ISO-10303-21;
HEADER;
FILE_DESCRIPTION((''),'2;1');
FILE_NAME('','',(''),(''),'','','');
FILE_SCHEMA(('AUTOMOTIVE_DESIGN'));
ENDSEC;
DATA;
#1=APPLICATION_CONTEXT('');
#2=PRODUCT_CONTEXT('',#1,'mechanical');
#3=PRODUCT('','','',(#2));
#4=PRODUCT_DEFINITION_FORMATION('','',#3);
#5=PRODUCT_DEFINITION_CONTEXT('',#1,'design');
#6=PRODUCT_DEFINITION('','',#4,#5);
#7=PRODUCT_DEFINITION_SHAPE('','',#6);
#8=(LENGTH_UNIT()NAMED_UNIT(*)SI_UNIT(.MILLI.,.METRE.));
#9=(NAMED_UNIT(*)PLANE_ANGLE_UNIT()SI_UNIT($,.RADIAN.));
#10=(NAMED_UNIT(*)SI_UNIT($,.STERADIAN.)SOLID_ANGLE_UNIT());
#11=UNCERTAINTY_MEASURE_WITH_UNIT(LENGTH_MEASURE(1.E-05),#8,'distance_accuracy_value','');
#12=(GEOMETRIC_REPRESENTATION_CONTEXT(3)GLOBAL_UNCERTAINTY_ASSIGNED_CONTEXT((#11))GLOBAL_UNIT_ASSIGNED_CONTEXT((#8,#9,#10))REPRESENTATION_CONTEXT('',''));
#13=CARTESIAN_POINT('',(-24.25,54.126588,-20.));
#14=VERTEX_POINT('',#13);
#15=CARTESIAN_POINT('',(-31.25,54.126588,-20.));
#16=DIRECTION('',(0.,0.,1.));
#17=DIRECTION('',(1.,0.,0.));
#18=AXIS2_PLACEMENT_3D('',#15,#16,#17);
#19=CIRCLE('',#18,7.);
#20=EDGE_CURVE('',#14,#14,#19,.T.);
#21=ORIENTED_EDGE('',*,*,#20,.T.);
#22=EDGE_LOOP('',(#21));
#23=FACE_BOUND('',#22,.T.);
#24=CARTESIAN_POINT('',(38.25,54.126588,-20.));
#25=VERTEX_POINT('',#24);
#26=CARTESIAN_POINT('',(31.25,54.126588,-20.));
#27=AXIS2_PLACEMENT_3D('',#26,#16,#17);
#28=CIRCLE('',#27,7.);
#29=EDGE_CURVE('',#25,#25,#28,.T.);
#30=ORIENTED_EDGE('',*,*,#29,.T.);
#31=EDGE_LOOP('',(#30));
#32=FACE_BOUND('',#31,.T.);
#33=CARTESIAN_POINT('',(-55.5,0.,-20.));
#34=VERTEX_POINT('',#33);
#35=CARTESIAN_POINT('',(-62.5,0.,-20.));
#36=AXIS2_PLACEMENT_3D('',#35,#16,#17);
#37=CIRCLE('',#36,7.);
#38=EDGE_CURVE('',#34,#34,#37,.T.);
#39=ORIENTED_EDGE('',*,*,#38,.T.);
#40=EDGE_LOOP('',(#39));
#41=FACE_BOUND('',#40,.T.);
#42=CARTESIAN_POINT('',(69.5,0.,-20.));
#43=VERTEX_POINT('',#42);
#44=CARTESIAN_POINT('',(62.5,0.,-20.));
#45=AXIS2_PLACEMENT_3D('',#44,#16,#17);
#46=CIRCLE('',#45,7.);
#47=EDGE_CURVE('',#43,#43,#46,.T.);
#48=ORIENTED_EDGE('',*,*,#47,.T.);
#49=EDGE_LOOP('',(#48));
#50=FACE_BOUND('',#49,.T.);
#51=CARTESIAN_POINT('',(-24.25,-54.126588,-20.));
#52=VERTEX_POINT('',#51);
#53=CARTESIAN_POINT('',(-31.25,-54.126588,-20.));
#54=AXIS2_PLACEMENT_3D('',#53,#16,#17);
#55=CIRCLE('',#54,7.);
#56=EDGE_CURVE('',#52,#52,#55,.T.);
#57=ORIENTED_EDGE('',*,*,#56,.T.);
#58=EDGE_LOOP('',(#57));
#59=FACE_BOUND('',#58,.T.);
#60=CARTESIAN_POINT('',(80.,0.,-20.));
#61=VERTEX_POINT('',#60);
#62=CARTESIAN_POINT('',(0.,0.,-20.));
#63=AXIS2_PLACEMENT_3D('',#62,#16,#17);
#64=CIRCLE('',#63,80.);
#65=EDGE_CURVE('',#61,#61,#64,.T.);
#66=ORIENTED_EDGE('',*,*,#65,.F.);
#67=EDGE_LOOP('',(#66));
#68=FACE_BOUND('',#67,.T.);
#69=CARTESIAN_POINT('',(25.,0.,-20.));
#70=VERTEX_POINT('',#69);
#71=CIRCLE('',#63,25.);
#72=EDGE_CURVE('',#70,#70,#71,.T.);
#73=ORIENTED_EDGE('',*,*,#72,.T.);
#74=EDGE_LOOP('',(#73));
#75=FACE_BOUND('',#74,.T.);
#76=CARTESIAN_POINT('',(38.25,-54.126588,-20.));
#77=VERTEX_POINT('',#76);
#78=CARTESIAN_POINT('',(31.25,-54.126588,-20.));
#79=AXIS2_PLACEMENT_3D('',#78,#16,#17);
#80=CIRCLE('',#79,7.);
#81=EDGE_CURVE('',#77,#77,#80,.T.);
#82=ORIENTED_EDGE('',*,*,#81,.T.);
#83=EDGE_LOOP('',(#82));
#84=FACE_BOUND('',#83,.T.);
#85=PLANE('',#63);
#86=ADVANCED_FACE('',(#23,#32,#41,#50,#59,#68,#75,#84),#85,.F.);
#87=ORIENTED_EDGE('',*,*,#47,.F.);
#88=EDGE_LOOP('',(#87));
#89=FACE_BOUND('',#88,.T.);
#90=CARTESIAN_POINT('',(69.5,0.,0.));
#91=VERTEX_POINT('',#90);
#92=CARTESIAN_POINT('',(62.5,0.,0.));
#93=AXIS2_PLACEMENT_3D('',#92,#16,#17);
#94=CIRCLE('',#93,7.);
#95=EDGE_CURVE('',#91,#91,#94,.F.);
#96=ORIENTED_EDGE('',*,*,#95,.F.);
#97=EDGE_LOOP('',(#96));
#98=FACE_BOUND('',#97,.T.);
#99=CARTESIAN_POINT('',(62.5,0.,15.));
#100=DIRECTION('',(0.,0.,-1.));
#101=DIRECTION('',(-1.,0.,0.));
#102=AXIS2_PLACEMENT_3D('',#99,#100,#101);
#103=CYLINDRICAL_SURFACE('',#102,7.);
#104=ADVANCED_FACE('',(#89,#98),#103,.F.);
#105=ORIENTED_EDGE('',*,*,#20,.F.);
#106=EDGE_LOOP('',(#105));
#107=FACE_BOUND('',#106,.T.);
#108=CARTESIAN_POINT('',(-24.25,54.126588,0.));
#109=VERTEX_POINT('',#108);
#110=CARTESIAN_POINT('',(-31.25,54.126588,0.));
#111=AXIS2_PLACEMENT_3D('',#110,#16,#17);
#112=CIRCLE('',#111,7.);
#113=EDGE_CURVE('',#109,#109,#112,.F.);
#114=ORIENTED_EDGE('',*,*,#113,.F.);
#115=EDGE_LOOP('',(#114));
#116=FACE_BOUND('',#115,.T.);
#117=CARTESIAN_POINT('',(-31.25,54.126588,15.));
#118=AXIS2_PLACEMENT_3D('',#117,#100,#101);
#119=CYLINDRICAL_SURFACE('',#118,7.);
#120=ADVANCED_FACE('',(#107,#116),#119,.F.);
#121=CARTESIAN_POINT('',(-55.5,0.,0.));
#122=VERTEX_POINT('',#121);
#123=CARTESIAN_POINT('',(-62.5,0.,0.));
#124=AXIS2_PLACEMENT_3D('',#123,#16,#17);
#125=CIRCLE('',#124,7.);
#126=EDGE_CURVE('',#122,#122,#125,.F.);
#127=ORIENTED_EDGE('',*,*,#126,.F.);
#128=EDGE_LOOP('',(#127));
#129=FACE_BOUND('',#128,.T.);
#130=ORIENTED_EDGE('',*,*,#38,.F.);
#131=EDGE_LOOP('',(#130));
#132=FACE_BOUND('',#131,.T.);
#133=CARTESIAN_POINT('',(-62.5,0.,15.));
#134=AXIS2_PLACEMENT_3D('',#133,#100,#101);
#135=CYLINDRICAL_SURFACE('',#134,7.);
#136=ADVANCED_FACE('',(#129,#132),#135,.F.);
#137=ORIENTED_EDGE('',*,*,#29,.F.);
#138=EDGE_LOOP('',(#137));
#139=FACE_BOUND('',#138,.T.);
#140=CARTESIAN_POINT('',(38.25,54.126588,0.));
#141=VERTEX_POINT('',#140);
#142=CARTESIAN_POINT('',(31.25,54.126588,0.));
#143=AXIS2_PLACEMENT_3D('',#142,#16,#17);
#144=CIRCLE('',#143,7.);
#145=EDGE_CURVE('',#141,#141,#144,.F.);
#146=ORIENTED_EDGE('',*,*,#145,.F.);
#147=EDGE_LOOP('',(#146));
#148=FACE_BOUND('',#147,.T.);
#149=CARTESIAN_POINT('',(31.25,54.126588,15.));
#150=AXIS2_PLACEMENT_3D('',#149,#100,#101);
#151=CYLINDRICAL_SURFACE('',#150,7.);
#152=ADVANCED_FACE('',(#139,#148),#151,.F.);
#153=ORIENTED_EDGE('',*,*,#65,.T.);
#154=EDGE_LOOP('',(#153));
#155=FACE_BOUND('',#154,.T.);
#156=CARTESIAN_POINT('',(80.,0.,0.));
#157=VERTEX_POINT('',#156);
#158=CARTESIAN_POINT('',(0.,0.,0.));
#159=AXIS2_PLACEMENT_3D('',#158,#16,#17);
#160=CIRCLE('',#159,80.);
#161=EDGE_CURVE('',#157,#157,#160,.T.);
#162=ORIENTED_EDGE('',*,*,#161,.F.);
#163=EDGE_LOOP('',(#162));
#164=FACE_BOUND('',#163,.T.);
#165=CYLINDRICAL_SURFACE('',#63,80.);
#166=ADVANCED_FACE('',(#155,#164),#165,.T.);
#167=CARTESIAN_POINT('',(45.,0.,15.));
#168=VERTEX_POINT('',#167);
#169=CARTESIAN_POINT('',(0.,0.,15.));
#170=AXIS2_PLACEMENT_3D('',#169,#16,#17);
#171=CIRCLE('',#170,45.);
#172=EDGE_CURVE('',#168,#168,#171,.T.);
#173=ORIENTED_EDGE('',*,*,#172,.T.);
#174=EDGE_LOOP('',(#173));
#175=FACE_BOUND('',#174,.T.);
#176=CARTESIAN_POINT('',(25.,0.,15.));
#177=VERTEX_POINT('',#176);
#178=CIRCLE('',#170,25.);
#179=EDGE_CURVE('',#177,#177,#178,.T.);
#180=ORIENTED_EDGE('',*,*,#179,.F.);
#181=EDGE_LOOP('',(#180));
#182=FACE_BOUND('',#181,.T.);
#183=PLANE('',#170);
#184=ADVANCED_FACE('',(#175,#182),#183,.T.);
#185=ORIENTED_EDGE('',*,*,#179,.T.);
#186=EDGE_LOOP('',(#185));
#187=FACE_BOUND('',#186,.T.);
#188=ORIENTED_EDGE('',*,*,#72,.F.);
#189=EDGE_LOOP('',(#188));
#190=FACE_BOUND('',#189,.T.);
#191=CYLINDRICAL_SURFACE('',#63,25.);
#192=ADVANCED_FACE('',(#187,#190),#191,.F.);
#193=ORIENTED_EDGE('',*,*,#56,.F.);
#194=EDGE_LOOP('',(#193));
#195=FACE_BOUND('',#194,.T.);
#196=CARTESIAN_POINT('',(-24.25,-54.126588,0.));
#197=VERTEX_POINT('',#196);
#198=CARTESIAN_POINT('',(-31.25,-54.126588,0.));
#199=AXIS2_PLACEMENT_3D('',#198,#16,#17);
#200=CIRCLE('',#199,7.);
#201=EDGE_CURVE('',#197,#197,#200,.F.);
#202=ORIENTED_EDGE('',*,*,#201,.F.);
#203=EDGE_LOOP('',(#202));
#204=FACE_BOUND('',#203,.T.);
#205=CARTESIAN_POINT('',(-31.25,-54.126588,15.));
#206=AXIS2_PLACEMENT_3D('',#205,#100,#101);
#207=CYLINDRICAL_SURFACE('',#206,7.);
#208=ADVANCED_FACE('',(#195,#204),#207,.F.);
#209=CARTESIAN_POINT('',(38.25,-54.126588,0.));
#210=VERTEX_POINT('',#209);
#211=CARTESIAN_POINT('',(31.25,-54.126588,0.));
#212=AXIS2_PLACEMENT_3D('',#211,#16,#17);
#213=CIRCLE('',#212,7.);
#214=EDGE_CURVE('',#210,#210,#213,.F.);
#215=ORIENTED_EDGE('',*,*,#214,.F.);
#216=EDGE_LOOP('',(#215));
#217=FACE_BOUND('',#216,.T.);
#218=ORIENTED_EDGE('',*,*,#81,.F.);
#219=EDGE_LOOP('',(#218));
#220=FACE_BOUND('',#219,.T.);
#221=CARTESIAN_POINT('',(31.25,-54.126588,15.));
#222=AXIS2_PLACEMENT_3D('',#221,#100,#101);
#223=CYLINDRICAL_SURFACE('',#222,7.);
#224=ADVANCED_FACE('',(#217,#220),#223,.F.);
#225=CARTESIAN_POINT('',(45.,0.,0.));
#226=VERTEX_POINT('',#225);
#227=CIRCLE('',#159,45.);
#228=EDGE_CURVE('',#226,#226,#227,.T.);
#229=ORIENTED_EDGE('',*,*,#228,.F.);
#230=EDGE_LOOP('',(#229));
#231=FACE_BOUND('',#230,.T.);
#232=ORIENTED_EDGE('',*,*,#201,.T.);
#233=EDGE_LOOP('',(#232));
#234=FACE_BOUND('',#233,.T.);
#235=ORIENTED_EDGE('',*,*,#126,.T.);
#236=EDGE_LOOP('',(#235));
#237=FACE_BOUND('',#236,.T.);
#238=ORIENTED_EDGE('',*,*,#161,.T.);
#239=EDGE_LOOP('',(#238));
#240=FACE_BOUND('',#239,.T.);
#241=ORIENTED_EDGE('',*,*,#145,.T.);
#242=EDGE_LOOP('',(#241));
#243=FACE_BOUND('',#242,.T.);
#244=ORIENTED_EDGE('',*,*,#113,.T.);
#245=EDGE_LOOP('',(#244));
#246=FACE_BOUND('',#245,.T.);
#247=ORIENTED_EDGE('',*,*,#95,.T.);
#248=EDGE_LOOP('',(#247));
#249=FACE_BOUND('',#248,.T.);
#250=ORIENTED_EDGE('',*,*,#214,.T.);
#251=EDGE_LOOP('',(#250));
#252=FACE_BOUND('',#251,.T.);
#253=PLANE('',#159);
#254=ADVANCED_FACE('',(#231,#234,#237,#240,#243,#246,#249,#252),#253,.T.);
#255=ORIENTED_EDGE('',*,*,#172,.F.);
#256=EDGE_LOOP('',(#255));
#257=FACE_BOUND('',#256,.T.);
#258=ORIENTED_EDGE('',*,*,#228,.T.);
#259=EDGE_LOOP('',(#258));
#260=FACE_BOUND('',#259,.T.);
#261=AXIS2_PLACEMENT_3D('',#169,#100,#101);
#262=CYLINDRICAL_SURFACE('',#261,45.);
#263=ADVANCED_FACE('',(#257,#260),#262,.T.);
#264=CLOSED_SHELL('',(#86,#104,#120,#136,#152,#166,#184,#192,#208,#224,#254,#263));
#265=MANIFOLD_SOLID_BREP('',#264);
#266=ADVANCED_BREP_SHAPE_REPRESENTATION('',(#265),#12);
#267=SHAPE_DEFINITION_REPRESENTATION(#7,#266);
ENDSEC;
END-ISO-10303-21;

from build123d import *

# Parameters (mm, degrees)
SKETCH_1_R               = 80
SKETCH_1_R_2             = 25
EXTRUDE_1_DEPTH          = 20
EXTRUDE_START            = 15
SKETCH_2_R               = 45
SKETCH_2_R_2             = 25
EXTRUDE_2_DEPTH          = 15
CUT_EXTRUDE_1_DEPTH      = 115.891252931
CUT_EXTRUDE_1_DEPTH_BACK = 115.891252931
SKETCH_3_R               = 7


with BuildPart() as part:
    # 草图1 → 凸台-拉伸1 (new body)
    with BuildSketch(Plane.XY):
        Circle(SKETCH_1_R)
        Circle(SKETCH_1_R_2, mode=Mode.SUBTRACT)
    extrude(amount=-EXTRUDE_1_DEPTH)

    # 草图2 → 凸台-拉伸2 (add)
    with BuildSketch(Plane.XY.offset(EXTRUDE_START)):
        Circle(SKETCH_2_R)
        Circle(SKETCH_2_R_2, mode=Mode.SUBTRACT)
    extrude(amount=-EXTRUDE_2_DEPTH)

    # 草图3 → 切除-拉伸1 (cut, two sides: drawn at the far end of the back side and taken through both)
    with BuildSketch(Plane.XY.offset(-CUT_EXTRUDE_1_DEPTH_BACK)):
        with Locations((62.5, 0)):
            Circle(SKETCH_3_R)
        with Locations((31.25, 54.126587737)):
            Circle(SKETCH_3_R)
        with Locations((-31.25, 54.126587737)):
            Circle(SKETCH_3_R)
        with Locations((-62.5, 0)):
            Circle(SKETCH_3_R)
        with Locations((-31.25, -54.126587737)):
            Circle(SKETCH_3_R)
        with Locations((31.25, -54.126587737)):
            Circle(SKETCH_3_R)
    extrude(amount=CUT_EXTRUDE_1_DEPTH + CUT_EXTRUDE_1_DEPTH_BACK, mode=Mode.SUBTRACT)


solid = part.part
